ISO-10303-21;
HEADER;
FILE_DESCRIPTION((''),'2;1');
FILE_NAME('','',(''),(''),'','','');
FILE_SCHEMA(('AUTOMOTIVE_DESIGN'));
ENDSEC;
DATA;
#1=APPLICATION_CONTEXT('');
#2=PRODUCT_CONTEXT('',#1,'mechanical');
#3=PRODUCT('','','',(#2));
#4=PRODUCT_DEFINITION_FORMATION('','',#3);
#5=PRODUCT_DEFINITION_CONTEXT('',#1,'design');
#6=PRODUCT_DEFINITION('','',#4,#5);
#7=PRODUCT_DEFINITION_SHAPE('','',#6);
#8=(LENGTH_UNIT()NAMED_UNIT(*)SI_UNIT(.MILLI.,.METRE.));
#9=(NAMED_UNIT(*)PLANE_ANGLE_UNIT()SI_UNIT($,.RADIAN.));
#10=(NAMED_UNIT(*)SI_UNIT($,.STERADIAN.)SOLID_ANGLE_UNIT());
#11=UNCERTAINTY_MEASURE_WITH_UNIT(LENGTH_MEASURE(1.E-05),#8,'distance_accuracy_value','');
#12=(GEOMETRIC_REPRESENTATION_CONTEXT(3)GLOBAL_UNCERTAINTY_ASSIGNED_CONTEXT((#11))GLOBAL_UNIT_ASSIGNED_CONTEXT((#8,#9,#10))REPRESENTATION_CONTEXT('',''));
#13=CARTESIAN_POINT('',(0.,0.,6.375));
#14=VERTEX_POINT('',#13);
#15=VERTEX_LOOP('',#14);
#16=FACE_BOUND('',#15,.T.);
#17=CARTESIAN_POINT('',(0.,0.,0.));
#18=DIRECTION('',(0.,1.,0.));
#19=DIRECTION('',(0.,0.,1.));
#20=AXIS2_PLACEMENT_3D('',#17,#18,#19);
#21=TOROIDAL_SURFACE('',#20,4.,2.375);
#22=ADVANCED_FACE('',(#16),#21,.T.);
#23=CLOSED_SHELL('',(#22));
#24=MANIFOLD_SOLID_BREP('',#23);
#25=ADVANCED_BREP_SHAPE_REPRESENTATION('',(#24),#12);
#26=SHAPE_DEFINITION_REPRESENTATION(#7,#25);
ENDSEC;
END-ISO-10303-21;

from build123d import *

# Parameters (mm, degrees)
SKETCH1_R = 2.375


with BuildPart() as part:
    # Sketch1 → Revolve1 (revolve)
    with BuildSketch(Plane.XY):
        with Locations((-4, 0)):
            Circle(SKETCH1_R)
    revolve(axis=Axis((0, 0, 0), (0, -1, 0)))


solid = part.part
